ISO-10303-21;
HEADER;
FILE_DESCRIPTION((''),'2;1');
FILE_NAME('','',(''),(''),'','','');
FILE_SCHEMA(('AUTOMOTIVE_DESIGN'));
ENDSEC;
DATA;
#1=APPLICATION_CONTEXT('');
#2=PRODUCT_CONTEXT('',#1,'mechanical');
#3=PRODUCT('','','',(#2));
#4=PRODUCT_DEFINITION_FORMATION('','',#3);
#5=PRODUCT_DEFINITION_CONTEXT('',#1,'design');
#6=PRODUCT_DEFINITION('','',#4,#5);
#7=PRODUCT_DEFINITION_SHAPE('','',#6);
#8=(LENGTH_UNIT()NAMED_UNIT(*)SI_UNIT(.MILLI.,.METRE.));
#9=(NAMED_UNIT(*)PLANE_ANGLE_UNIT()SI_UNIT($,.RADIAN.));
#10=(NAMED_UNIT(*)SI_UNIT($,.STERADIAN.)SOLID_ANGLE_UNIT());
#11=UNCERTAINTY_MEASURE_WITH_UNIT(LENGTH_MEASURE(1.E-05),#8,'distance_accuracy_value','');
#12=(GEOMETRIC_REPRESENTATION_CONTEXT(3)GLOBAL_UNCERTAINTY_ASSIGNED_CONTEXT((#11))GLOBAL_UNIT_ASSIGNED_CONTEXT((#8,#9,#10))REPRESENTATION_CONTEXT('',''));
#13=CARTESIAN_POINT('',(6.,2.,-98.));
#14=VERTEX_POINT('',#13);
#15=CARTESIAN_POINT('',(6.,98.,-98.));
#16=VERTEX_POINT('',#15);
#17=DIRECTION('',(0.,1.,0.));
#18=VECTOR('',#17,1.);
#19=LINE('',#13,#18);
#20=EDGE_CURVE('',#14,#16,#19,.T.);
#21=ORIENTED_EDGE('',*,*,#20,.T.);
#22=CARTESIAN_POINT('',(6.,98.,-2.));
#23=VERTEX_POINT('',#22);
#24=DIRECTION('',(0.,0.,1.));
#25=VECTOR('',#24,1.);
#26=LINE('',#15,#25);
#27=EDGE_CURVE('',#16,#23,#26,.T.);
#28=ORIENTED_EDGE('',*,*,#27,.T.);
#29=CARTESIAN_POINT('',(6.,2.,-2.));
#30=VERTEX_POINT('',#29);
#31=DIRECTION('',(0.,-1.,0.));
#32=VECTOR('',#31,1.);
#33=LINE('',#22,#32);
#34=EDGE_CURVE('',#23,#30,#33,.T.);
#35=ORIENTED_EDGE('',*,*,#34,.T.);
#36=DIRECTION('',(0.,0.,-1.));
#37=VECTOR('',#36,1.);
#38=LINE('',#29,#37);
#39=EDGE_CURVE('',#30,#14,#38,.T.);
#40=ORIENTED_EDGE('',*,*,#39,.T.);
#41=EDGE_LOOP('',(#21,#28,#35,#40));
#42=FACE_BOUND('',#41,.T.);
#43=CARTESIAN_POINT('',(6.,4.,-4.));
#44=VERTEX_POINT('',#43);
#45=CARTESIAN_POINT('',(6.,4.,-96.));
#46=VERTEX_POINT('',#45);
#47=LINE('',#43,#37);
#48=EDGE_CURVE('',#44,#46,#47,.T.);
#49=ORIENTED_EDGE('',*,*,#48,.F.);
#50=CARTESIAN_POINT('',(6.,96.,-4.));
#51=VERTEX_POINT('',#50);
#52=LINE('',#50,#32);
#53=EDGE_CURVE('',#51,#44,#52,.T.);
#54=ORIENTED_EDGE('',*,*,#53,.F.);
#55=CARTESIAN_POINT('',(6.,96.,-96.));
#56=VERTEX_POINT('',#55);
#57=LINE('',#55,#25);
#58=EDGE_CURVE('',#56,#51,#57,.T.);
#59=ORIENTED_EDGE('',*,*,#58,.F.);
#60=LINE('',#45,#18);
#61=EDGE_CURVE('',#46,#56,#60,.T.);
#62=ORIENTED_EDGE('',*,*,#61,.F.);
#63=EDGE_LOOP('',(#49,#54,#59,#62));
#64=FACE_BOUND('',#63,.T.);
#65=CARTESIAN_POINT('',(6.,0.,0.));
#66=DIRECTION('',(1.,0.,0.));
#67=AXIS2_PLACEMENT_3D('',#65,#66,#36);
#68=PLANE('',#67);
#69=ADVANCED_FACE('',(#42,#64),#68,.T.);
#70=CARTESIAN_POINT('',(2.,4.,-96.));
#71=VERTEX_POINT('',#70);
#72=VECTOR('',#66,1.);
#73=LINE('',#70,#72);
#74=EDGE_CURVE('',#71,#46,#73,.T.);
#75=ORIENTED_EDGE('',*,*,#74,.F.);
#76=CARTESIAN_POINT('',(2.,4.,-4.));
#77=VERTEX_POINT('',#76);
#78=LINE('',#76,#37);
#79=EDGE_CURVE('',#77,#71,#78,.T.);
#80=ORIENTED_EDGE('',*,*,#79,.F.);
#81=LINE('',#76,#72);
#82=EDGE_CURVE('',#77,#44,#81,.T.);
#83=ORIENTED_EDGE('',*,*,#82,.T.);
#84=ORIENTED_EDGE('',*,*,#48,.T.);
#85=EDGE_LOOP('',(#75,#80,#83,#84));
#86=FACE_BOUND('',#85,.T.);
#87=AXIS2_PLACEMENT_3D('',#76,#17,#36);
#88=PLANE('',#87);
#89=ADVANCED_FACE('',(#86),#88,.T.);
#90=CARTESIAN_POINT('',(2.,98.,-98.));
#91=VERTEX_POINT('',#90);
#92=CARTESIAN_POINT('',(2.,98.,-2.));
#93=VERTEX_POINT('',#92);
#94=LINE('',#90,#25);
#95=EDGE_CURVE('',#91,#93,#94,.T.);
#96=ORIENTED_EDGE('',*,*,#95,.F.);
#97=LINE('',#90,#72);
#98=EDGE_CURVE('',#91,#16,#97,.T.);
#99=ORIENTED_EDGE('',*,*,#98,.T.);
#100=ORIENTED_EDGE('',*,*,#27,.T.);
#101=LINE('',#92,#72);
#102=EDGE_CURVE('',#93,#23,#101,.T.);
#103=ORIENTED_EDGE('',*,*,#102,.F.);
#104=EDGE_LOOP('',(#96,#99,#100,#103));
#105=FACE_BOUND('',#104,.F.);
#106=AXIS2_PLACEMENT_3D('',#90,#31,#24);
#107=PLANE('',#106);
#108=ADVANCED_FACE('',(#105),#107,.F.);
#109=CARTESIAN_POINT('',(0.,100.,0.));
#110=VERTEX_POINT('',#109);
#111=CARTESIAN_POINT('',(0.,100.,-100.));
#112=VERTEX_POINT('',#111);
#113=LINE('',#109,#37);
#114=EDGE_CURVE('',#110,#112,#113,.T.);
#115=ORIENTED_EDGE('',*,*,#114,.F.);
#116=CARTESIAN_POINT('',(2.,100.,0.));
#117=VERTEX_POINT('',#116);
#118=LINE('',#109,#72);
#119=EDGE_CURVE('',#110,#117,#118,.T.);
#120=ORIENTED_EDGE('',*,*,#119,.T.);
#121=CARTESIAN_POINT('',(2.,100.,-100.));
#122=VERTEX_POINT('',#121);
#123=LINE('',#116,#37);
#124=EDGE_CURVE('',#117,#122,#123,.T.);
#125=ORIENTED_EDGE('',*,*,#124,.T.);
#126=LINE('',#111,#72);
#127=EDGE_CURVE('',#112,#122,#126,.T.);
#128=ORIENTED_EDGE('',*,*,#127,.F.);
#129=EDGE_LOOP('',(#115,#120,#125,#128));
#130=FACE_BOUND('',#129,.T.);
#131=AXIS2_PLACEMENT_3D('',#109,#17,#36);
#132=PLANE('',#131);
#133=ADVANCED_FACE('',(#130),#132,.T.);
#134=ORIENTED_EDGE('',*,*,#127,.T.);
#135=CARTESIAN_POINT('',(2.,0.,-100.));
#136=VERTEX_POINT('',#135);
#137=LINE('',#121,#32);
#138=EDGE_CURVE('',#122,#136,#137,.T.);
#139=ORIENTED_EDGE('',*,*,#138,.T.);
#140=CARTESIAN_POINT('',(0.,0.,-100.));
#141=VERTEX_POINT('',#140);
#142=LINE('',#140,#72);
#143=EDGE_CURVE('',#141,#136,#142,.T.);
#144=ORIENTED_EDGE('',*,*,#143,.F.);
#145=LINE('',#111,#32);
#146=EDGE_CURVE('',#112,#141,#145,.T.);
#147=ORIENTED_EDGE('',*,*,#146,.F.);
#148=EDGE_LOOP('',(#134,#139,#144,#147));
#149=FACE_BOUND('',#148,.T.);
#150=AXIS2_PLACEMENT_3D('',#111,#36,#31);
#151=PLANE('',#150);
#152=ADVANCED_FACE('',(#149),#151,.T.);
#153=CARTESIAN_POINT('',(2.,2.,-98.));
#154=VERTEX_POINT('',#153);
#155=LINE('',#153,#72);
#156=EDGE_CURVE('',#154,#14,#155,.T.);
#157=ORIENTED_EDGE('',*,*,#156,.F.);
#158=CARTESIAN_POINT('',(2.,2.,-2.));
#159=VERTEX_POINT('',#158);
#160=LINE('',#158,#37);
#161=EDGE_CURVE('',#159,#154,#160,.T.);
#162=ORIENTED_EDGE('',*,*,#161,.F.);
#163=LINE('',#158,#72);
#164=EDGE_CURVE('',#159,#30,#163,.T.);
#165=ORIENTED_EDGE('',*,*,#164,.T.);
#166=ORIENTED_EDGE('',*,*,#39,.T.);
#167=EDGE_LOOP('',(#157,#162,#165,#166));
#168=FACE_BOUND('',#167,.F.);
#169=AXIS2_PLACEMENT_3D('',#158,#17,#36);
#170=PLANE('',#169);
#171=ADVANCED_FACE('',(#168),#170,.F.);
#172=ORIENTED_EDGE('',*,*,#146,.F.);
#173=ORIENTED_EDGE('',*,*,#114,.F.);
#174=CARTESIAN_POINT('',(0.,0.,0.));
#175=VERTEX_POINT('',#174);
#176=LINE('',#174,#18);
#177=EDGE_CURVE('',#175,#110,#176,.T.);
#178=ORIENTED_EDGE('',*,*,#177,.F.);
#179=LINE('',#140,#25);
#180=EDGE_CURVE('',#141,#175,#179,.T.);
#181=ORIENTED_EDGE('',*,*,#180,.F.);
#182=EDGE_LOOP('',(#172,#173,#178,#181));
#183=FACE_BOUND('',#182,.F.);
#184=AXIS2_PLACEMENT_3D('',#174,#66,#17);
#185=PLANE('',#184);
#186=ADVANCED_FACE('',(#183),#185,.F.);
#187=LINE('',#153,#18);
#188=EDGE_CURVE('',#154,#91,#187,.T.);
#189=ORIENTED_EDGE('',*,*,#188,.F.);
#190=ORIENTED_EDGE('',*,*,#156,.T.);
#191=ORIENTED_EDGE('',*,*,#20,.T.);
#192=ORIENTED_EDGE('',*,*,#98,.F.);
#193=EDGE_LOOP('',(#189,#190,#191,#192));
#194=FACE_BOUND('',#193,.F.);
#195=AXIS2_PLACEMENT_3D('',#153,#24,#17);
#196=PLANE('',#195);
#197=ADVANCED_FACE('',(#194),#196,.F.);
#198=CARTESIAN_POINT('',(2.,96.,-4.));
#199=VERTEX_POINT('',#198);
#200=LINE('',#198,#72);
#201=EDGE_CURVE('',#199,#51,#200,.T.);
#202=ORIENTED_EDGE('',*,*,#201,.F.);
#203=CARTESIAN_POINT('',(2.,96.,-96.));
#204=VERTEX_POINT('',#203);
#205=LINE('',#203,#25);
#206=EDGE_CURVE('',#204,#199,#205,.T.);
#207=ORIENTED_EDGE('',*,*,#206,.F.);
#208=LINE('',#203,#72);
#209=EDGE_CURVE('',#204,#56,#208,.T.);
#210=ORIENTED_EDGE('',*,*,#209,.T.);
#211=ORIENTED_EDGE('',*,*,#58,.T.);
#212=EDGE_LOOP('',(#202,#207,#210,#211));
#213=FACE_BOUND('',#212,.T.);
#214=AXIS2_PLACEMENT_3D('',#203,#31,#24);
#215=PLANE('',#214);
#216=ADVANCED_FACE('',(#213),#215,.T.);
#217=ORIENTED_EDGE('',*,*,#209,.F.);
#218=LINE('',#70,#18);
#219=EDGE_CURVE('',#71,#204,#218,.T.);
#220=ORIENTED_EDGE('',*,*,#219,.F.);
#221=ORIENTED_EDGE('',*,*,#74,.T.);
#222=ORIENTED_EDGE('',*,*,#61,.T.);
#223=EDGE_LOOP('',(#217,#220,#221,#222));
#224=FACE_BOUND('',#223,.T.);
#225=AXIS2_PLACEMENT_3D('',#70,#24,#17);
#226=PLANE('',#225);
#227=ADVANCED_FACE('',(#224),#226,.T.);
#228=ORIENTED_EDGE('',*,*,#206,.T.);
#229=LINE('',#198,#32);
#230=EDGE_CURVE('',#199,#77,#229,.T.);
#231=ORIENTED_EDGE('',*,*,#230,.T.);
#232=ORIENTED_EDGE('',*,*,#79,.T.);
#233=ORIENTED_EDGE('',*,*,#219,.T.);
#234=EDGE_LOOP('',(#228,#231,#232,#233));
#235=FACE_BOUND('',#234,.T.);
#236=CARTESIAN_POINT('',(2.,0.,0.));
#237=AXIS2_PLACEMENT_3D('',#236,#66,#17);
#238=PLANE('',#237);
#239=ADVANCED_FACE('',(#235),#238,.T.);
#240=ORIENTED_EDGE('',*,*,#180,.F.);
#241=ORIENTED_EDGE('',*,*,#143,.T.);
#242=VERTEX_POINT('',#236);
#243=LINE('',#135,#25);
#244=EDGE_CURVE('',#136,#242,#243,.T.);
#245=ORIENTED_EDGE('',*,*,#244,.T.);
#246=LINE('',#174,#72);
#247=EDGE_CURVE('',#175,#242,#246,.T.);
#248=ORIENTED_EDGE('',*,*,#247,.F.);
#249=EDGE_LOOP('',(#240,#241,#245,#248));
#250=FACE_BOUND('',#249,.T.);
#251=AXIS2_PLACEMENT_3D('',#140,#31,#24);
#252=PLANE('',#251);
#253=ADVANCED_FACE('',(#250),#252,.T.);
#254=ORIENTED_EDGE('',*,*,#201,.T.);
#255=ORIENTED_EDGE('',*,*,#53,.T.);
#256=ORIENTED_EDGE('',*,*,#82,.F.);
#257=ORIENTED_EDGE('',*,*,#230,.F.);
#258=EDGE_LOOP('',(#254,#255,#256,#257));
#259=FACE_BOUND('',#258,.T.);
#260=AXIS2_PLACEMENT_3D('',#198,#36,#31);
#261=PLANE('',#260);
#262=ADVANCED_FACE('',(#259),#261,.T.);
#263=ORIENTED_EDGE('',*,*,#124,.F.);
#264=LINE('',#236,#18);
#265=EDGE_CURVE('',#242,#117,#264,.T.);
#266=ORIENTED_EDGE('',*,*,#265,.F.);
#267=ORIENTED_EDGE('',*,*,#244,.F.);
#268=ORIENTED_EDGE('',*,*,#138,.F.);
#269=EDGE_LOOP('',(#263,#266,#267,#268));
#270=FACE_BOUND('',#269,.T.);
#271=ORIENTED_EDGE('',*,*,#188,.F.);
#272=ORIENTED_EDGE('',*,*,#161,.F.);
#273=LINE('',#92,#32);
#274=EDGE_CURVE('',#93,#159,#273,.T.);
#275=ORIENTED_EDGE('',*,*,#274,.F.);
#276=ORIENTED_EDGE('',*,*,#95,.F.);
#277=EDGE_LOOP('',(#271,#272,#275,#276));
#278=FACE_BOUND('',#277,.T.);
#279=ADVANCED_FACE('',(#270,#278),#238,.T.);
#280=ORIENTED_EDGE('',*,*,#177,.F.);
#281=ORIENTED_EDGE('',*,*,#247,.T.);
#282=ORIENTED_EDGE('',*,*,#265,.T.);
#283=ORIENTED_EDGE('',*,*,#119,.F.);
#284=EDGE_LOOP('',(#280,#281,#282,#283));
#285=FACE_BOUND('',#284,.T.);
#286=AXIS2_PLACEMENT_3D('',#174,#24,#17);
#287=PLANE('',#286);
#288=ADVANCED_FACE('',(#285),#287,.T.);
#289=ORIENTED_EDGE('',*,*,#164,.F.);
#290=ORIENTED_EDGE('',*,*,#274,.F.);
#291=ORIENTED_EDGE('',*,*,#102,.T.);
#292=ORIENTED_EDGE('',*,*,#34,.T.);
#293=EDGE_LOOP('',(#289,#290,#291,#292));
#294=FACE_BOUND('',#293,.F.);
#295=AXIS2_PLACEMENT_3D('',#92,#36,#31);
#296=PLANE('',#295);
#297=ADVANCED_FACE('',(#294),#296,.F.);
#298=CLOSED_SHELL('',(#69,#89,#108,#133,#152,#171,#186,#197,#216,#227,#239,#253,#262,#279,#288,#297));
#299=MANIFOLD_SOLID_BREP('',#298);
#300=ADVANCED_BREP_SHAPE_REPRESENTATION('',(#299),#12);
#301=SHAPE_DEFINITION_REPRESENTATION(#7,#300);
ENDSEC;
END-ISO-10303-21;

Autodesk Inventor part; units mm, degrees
ref_plane "YZ Plane" through (0, 0, 0) normal (1, 0, 0) x (0, 1, 0)
ref_plane "XZ Plane" through (0, 0, 0) normal (0, 1, 0) x (-1, 0, 0)
ref_plane "XY Plane" through (0, 0, 0) normal (0, 0, 1) x (1, 0, 0)
sketch "Náčrt1" plane through (0, 0, 0) normal (1, 0, 0) x (0, 1, 0)
  line L0 (0, 0) -> (100, 0)
  line L1 (100, 0) -> (100, -100)
  line L2 (100, -100) -> (0, -100)
  line L3 (0, -100) -> (0, 0)
  dimension "d0" = 100
  dimension "d1" = 100
extrude "Vysunutí1" add sketch "Náčrt1" along normal blind 2
sketch "Náčrt2" plane through (2, 0, 0) normal (1, 0, 0) x (0, 0, -1)
  line L0 (0, 100) -> (0, 0) projected
  line L1 (0, 0) -> (100, 0) projected
  line L2 (100, 0) -> (100, 100) projected
  line L3 (100, 100) -> (0, 100) projected
  line L4 (2, 98) -> (2, 2)
  line L5 (2, 2) -> (98, 2)
  line L6 (98, 2) -> (98, 98)
  line L7 (98, 98) -> (2, 98)
  line L8 (4, 96) -> (4, 4)
  line L9 (4, 4) -> (96, 4)
  line L10 (96, 4) -> (96, 96)
  line L11 (96, 96) -> (4, 96)
  dimension "d4" = 2
  dimension "d5" = 2
extrude "Vysunutí2" add sketch "Náčrt2" along normal blind 4 contours L7 L6 L5 L4
properties part number "Zadní kryt"
